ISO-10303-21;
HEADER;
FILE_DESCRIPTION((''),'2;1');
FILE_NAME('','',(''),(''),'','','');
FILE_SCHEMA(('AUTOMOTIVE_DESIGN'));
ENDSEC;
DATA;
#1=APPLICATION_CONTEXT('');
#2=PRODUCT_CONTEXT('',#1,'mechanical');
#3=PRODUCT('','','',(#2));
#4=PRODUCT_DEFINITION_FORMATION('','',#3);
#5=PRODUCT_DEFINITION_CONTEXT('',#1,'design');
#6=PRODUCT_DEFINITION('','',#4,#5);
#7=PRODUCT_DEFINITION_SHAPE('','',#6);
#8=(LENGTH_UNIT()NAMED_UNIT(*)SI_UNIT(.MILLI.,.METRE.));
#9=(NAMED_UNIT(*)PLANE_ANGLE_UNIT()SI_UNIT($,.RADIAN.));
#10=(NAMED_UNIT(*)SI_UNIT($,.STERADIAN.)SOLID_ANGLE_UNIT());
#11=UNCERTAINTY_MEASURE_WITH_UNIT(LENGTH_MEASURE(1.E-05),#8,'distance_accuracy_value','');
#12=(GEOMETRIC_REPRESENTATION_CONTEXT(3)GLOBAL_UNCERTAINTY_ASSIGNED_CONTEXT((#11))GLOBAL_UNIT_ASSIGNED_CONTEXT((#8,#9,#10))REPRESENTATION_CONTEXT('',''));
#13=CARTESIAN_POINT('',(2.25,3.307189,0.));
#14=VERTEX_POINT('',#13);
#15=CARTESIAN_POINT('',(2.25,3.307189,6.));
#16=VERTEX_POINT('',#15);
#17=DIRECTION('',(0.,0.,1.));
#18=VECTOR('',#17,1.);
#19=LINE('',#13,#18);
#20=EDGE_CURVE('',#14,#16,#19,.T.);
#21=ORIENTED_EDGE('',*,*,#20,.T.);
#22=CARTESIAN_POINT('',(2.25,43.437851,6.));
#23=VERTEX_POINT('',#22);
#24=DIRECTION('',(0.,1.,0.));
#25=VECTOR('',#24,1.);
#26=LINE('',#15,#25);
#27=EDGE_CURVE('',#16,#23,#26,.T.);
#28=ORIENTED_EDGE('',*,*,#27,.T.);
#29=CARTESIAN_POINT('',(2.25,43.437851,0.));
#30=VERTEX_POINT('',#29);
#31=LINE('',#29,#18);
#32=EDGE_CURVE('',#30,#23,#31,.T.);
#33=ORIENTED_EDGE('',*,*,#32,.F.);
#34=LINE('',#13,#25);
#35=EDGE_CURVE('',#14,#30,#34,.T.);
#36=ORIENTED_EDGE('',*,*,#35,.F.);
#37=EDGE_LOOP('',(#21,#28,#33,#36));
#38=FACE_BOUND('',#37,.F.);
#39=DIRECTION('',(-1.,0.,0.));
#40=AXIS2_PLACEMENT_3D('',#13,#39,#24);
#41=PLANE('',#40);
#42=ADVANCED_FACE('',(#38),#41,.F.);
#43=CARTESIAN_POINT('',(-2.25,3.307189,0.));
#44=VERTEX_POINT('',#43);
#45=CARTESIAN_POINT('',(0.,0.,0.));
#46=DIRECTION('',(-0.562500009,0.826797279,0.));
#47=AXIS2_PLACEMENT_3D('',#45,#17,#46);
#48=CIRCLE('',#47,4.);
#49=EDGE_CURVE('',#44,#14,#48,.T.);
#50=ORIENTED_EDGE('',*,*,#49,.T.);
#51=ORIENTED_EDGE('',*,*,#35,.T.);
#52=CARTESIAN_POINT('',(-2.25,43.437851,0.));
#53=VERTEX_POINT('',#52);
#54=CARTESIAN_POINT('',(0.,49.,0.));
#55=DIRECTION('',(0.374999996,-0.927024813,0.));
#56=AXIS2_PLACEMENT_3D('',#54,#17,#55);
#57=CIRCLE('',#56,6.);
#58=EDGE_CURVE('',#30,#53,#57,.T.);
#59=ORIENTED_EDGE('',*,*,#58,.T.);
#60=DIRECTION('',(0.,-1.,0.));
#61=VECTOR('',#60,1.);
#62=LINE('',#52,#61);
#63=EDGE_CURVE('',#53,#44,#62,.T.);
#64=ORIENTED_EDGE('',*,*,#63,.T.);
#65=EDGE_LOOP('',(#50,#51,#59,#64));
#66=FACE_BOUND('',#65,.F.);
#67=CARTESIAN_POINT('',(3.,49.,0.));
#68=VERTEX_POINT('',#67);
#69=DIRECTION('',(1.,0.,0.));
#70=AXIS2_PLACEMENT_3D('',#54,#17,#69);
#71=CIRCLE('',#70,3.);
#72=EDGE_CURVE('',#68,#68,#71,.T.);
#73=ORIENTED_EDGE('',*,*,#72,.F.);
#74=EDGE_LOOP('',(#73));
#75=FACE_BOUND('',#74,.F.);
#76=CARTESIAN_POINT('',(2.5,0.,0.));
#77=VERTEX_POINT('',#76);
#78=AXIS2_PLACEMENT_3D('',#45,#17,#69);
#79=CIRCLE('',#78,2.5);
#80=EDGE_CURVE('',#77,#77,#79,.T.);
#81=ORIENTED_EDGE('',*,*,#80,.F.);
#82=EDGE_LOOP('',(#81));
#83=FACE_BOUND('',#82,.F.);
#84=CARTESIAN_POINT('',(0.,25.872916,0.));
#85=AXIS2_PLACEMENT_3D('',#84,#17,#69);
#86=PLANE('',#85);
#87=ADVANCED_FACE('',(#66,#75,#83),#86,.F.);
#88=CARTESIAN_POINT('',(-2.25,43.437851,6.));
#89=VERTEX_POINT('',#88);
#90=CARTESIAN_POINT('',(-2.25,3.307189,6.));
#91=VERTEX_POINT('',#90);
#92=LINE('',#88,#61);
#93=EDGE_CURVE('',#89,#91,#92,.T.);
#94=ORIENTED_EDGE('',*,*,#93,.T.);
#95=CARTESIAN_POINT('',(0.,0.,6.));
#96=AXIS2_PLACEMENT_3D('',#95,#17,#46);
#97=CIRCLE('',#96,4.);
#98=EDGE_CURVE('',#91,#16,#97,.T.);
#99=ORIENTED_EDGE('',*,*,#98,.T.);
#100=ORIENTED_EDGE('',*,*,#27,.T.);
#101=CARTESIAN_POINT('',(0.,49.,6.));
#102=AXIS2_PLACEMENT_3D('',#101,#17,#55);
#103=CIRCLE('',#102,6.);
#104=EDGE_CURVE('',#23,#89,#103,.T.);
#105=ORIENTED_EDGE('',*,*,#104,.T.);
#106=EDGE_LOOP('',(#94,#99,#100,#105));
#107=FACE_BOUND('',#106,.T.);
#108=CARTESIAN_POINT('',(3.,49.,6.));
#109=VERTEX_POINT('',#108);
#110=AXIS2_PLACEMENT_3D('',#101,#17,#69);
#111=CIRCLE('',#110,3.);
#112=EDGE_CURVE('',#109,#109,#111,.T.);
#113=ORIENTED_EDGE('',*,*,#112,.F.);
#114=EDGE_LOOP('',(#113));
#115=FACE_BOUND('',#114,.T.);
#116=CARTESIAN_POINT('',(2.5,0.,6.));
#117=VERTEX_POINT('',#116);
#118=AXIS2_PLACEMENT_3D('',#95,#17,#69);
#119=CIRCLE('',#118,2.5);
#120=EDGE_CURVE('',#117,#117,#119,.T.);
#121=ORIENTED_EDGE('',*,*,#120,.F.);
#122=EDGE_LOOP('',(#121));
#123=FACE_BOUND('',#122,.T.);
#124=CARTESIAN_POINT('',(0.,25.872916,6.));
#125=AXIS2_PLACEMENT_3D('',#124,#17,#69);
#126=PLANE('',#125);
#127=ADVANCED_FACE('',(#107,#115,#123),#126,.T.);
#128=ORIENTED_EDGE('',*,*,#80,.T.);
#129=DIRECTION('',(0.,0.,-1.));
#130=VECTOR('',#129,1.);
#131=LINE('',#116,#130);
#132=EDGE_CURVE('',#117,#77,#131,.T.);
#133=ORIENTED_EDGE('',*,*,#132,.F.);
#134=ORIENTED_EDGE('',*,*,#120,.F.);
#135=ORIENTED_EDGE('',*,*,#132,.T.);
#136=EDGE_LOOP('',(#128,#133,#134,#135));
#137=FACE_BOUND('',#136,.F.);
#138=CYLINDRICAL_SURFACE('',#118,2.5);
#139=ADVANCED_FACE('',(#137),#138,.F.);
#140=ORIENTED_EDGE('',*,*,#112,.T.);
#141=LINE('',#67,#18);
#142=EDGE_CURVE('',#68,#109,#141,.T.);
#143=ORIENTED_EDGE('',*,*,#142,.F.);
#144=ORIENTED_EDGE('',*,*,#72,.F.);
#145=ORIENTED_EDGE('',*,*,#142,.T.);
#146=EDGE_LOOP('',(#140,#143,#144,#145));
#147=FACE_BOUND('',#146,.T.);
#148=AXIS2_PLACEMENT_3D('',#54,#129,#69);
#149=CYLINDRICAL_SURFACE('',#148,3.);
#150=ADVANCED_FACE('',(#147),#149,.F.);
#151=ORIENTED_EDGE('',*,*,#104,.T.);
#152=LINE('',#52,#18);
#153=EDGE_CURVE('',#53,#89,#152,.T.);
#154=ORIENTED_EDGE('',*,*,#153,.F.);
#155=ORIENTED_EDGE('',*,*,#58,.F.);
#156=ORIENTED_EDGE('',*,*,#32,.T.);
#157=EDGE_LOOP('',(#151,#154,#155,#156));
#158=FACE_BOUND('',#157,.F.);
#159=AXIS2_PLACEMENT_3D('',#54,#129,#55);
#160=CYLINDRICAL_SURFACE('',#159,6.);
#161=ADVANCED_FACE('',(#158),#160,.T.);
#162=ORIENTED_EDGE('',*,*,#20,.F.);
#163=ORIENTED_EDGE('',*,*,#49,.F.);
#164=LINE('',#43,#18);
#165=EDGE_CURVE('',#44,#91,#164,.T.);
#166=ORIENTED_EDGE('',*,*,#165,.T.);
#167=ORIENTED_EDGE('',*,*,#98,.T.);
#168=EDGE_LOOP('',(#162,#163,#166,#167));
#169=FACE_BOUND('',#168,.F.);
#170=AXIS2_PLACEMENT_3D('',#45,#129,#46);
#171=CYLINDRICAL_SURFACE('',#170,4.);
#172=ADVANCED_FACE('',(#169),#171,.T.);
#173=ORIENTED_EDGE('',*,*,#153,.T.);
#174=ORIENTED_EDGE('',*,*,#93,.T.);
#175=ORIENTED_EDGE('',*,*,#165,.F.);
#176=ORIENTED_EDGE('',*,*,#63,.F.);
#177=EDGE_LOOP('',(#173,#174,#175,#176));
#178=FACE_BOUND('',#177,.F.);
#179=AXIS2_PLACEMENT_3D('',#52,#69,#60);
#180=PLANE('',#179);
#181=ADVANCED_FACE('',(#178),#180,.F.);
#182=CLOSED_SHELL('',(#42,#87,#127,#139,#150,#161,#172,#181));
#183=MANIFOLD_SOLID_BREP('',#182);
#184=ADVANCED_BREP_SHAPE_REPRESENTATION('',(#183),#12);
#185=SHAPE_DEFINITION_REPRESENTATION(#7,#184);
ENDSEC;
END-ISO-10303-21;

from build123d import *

# Parameters (mm, degrees)
F0_R     = 2
F0_R_2   = 3
F1_DEPTH = 6
F2_R     = 2.5
F3_DEPTH = 8.1


with BuildPart() as f1:
    # F0 (on Top) → F1 (new body)
    with BuildSketch(Plane.XY):
        with BuildLine():
            Line((-2.25, 43.437851), (-2.25, 3.307189))
            ThreePointArc((-2.25, 3.307189), (0, -4), (2.25, 3.307189))
            Line((2.25, 3.307189), (2.25, 43.437851))
            ThreePointArc((2.25, 43.437851), (0, 55), (-2.25, 43.437851))
        make_face()
        Circle(F0_R, mode=Mode.SUBTRACT)
        with Locations((0, 49)):
            Circle(F0_R_2, mode=Mode.SUBTRACT)
    extrude(amount=F1_DEPTH)

    # F2 (on face) → F3 (cut)
    with BuildSketch(Plane.XY.offset(6)):
        Circle(F2_R)
    extrude(amount=-F3_DEPTH, mode=Mode.SUBTRACT)


solid = f1.part
